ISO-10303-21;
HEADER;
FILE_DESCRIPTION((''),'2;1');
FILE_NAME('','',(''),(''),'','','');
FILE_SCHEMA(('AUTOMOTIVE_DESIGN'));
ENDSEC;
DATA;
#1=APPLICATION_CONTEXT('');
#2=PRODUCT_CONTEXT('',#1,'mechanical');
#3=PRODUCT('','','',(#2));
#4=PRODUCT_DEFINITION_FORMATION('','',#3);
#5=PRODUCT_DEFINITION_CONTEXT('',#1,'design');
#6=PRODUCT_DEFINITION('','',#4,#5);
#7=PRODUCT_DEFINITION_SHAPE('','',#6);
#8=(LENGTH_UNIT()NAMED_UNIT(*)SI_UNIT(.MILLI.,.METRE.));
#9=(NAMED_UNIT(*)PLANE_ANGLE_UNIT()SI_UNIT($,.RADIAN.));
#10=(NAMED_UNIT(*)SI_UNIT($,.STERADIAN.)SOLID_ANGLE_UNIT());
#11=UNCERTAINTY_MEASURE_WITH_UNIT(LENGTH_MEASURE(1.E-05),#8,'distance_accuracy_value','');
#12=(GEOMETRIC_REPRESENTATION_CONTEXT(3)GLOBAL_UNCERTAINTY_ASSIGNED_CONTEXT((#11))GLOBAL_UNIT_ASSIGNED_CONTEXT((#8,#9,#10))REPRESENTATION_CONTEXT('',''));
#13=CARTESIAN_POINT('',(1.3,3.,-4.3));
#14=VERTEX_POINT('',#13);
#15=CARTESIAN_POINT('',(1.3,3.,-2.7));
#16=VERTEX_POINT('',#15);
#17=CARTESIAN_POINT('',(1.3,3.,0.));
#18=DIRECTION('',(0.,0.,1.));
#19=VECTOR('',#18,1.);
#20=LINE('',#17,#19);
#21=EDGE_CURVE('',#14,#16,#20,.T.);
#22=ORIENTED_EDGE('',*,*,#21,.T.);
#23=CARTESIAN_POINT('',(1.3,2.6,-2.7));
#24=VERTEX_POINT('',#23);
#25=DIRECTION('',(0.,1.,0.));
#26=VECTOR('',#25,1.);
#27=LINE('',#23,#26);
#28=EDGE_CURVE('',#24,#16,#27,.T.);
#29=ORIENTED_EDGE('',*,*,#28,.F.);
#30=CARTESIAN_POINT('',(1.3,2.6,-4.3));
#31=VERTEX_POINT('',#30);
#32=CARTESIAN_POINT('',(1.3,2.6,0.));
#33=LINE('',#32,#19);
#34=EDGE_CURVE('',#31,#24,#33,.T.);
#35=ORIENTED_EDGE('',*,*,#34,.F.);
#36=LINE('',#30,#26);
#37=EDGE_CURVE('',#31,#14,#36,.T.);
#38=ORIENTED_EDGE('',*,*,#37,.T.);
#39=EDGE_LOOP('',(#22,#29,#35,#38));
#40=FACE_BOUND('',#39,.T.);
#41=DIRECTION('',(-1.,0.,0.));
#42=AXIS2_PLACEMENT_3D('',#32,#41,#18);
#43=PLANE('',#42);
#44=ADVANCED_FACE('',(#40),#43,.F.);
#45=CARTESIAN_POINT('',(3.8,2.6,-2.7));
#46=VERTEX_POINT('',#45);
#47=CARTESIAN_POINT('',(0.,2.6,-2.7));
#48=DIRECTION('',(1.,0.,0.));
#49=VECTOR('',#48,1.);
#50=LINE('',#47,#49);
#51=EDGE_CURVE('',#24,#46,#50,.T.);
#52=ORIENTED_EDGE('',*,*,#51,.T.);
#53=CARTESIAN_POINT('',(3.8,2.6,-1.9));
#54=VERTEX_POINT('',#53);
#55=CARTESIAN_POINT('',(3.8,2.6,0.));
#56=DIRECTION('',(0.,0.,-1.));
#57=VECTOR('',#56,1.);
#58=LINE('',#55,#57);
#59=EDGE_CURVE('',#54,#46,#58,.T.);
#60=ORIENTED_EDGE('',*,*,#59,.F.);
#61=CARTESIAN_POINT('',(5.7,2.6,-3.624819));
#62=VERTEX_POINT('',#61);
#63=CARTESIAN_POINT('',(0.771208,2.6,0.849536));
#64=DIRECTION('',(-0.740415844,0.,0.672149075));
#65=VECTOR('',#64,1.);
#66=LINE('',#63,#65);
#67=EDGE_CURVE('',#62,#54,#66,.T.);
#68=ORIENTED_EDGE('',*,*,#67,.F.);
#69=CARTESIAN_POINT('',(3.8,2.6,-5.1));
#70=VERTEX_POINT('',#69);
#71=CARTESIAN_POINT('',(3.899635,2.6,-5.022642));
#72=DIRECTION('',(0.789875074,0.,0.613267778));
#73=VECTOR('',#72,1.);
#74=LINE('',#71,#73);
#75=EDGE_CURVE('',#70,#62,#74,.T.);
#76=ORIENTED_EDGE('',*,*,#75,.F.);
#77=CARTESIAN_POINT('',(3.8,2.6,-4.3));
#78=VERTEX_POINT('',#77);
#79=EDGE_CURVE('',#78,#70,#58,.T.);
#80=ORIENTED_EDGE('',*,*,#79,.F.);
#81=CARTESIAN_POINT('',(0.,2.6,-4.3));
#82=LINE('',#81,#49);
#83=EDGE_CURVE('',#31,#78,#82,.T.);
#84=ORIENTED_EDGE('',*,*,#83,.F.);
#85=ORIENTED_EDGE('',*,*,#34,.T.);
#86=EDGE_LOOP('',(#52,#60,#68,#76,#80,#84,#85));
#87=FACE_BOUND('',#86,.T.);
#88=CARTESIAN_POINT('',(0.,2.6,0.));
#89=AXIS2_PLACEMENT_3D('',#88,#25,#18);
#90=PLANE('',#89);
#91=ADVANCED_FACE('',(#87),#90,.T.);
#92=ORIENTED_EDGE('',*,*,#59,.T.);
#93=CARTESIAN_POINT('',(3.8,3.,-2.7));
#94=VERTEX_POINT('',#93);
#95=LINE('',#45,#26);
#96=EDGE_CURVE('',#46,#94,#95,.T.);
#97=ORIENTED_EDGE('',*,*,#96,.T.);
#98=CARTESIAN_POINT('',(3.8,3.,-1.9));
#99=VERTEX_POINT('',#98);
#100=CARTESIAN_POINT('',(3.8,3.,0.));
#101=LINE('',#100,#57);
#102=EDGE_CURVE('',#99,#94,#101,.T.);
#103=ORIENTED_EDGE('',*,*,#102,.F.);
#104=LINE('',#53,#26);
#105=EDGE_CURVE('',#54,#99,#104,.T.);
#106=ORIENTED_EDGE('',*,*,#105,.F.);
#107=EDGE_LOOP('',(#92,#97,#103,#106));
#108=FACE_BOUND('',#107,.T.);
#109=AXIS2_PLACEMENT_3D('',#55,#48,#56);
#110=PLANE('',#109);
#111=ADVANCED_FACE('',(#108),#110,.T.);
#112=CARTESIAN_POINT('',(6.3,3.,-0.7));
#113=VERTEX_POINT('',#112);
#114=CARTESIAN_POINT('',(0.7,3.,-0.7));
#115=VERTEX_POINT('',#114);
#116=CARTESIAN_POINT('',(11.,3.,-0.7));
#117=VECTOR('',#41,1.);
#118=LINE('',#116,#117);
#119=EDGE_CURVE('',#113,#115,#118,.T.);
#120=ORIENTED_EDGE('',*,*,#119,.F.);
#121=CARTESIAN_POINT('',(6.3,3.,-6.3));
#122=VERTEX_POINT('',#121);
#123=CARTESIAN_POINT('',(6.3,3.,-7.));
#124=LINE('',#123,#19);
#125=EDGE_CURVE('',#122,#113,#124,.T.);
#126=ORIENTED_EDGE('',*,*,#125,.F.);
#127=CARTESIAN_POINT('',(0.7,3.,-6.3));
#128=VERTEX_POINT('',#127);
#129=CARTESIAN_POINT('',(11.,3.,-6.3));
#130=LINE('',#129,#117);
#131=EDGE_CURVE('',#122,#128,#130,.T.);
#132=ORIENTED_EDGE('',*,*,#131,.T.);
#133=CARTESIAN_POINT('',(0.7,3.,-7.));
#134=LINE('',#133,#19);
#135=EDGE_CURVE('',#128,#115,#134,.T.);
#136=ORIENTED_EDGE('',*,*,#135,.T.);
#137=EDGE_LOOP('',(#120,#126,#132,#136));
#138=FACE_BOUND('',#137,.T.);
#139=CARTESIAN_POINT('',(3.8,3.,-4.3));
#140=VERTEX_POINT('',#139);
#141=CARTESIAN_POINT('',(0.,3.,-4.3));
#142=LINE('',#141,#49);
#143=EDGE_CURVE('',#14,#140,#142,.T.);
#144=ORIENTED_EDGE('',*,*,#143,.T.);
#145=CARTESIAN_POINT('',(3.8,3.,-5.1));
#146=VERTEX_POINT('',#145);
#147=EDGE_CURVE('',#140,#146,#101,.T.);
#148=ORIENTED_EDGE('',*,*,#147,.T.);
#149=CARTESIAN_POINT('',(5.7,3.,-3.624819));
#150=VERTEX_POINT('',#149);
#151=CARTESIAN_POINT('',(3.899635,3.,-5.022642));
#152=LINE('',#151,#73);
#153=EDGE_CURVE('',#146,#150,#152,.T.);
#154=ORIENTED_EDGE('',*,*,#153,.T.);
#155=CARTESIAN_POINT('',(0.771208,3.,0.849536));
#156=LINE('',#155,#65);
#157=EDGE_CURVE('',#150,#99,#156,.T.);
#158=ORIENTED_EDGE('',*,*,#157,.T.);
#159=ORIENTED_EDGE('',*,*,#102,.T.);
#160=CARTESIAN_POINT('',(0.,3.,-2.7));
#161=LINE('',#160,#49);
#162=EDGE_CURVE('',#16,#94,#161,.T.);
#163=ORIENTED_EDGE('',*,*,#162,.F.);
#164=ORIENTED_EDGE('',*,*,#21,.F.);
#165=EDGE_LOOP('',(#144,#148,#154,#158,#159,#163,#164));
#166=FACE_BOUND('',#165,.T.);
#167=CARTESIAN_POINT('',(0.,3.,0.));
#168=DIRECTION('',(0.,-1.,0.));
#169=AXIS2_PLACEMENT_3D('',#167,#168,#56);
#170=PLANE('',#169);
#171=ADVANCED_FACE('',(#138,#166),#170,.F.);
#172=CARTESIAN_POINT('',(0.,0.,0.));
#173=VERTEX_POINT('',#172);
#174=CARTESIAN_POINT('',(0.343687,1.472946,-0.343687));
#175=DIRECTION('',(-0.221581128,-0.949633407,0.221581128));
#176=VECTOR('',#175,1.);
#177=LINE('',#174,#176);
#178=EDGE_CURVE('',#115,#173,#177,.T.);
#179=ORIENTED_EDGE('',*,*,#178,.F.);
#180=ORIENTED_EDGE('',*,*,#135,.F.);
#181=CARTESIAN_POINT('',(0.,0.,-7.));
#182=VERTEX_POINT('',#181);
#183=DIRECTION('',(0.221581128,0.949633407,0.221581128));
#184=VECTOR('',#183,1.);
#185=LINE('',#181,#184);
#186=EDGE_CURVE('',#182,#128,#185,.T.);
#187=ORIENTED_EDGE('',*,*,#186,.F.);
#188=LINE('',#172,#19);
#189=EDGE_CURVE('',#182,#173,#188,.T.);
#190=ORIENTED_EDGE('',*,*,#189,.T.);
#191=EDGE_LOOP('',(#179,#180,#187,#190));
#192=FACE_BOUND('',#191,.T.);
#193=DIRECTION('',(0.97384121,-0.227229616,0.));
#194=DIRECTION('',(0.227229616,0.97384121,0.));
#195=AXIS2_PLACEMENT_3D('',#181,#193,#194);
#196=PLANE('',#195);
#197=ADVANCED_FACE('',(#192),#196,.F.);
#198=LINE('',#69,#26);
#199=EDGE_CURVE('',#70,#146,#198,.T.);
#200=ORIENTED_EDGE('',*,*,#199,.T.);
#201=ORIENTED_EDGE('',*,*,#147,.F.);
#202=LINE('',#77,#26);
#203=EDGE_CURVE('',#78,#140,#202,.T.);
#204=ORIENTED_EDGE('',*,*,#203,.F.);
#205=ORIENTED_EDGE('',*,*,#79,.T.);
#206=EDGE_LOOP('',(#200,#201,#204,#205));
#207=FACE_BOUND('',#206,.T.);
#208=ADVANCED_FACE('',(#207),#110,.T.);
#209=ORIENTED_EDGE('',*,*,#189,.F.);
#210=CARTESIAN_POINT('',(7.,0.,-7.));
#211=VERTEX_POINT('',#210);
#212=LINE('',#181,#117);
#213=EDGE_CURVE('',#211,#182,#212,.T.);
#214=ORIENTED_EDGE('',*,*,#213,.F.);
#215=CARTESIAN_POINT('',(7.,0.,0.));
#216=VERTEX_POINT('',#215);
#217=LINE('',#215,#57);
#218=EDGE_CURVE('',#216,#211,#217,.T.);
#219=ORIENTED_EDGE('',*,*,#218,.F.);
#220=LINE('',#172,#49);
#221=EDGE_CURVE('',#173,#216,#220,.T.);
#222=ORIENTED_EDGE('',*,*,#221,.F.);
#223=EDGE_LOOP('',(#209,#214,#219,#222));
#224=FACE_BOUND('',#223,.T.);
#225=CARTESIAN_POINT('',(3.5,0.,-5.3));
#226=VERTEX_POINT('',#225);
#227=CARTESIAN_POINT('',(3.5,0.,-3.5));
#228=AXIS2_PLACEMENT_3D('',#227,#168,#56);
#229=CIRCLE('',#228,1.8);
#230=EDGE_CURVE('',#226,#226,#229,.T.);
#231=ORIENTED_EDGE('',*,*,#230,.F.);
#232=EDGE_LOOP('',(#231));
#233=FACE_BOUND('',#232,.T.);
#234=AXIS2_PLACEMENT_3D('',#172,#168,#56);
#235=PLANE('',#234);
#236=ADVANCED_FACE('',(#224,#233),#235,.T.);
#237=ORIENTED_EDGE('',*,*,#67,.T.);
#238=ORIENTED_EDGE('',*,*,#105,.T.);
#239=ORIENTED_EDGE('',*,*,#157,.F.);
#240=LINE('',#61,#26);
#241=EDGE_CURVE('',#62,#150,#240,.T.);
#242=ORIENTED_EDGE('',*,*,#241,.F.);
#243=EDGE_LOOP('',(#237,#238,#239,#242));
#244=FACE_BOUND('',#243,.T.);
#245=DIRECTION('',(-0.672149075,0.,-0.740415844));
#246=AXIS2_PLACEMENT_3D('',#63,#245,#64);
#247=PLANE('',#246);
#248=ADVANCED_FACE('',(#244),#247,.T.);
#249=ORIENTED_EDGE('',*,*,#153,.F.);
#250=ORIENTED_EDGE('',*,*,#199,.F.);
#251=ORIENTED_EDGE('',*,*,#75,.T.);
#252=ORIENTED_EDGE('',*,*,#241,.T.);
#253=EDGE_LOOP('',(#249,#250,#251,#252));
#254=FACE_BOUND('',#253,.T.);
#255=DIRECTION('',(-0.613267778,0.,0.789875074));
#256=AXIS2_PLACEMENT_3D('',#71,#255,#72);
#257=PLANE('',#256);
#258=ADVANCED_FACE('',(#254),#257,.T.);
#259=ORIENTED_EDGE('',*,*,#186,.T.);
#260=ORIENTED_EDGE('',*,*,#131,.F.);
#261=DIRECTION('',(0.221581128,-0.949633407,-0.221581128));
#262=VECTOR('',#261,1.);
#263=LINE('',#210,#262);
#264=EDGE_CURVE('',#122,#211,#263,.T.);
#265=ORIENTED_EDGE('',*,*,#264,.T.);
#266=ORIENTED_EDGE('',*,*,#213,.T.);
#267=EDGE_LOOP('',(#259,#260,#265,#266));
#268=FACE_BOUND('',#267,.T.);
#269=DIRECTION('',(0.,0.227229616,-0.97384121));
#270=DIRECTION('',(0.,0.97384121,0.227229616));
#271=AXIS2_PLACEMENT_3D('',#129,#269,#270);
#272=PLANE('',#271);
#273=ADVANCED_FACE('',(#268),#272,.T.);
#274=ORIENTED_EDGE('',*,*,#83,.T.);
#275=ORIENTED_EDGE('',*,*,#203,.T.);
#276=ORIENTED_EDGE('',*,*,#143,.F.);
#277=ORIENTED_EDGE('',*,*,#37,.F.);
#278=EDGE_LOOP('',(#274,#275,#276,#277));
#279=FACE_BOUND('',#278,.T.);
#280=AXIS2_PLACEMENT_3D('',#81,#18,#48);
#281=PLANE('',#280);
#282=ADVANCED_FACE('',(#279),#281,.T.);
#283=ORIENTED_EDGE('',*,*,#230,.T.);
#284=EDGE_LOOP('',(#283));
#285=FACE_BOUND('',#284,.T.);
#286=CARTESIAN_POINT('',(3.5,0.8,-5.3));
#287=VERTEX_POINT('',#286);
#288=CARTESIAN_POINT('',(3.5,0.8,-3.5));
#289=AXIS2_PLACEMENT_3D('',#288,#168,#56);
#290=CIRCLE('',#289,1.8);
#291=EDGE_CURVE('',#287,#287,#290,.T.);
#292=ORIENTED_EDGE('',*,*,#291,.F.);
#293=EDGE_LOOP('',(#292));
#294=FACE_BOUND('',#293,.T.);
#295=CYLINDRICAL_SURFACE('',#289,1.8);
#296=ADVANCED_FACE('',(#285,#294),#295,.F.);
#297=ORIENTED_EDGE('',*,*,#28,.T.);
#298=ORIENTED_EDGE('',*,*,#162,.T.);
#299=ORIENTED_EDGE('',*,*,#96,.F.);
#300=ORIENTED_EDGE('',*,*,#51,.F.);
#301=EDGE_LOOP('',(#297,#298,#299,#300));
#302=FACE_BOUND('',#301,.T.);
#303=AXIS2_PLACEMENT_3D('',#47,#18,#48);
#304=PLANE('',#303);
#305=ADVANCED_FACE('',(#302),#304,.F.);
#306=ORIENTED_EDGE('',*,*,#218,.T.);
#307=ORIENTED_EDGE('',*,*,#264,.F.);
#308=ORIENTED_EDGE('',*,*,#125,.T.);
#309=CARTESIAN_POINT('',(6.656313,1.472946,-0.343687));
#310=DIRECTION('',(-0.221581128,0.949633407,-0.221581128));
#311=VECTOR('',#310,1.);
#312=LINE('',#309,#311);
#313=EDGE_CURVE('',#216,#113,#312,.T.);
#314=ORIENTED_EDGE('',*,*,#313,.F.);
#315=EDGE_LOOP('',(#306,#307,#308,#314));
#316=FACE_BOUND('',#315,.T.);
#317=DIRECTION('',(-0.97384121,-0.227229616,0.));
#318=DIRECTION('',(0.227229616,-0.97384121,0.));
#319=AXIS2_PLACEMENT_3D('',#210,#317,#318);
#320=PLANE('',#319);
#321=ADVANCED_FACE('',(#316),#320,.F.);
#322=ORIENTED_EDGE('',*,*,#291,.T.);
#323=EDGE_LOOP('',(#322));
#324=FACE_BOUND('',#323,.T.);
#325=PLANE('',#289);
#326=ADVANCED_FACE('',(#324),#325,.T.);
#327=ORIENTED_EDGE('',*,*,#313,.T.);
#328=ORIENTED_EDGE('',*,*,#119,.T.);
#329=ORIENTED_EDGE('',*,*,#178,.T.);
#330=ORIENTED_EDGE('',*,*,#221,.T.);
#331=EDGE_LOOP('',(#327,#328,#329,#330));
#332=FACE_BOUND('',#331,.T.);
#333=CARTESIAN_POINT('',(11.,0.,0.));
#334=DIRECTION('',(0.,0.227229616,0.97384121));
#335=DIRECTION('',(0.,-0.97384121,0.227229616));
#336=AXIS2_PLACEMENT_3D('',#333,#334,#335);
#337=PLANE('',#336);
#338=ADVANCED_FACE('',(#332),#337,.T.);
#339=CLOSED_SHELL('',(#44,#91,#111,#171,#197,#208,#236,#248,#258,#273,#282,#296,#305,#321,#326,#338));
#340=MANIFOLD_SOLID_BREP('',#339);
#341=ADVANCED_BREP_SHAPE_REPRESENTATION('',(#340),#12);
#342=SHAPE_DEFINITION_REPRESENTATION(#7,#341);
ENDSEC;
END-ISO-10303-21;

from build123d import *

# Parameters (mm, degrees)
SKETCH1_W           = 7
SKETCH1_H           = 7
BOSS_EXTRUDE1_DEPTH = 3
CUT_EXTRUDE1_DEPTH  = 7
CUT_EXTRUDE2_DEPTH  = 11
SKETCH4_R           = 1.8
CUT_EXTRUDE3_DEPTH  = 0.8
SKETCH5_W           = 2.5
SKETCH5_H           = 1.6
CUT_EXTRUDE4_DEPTH  = 0.4


with BuildPart() as part:
    # Sketch1 → Boss-Extrude1 (new body)
    with BuildSketch(Plane(origin=(0, 0, 0), x_dir=(1, 0, 0), z_dir=(0, 1, 0))):
        with Locations((3.5, 3.5)):
            Rectangle(SKETCH1_W, SKETCH1_H)
    extrude(amount=BOSS_EXTRUDE1_DEPTH)

    # Sketch2 → Cut-Extrude1 (cut)
    with BuildSketch(Plane.XY):
        Polygon((0, 0), (0.7, 3), (0, 3), align=None)
        Polygon((7, 0), (6.3, 3), (7, 3), align=None)
    extrude(amount=-CUT_EXTRUDE1_DEPTH, mode=Mode.SUBTRACT)

    # Sketch3 → Cut-Extrude2 (cut)
    with BuildSketch(Plane(origin=(0, 0, 0), x_dir=(0, 0, -1), z_dir=(1, 0, 0))):
        Polygon((0, 0), (0.7, 3), (0, 3), align=None)
        Polygon((7, 3), (6.3, 3), (7, 0), align=None)
    extrude(amount=CUT_EXTRUDE2_DEPTH, mode=Mode.SUBTRACT)

    # Sketch4 → Cut-Extrude3 (cut)
    with BuildSketch(Plane.XZ):
        with Locations(Location((3.5, -3.5, 0), (0, 0, 270))):
            Circle(SKETCH4_R)
    extrude(amount=-CUT_EXTRUDE3_DEPTH, mode=Mode.SUBTRACT)

    # Sketch5 → Cut-Extrude4 (cut)
    with BuildSketch(Plane(origin=(0, 3, 0), x_dir=(1, 0, 0), z_dir=(0, 1, 0))):
        with Locations((2.55, 3.5)):
            Rectangle(SKETCH5_W, SKETCH5_H)
        Polygon((3.8, 1.9), (3.8, 2.7), (3.8, 4.3), (3.8, 5.1), (5.7, 3.624818901), align=None)
    extrude(amount=-CUT_EXTRUDE4_DEPTH, mode=Mode.SUBTRACT)


solid = part.part
